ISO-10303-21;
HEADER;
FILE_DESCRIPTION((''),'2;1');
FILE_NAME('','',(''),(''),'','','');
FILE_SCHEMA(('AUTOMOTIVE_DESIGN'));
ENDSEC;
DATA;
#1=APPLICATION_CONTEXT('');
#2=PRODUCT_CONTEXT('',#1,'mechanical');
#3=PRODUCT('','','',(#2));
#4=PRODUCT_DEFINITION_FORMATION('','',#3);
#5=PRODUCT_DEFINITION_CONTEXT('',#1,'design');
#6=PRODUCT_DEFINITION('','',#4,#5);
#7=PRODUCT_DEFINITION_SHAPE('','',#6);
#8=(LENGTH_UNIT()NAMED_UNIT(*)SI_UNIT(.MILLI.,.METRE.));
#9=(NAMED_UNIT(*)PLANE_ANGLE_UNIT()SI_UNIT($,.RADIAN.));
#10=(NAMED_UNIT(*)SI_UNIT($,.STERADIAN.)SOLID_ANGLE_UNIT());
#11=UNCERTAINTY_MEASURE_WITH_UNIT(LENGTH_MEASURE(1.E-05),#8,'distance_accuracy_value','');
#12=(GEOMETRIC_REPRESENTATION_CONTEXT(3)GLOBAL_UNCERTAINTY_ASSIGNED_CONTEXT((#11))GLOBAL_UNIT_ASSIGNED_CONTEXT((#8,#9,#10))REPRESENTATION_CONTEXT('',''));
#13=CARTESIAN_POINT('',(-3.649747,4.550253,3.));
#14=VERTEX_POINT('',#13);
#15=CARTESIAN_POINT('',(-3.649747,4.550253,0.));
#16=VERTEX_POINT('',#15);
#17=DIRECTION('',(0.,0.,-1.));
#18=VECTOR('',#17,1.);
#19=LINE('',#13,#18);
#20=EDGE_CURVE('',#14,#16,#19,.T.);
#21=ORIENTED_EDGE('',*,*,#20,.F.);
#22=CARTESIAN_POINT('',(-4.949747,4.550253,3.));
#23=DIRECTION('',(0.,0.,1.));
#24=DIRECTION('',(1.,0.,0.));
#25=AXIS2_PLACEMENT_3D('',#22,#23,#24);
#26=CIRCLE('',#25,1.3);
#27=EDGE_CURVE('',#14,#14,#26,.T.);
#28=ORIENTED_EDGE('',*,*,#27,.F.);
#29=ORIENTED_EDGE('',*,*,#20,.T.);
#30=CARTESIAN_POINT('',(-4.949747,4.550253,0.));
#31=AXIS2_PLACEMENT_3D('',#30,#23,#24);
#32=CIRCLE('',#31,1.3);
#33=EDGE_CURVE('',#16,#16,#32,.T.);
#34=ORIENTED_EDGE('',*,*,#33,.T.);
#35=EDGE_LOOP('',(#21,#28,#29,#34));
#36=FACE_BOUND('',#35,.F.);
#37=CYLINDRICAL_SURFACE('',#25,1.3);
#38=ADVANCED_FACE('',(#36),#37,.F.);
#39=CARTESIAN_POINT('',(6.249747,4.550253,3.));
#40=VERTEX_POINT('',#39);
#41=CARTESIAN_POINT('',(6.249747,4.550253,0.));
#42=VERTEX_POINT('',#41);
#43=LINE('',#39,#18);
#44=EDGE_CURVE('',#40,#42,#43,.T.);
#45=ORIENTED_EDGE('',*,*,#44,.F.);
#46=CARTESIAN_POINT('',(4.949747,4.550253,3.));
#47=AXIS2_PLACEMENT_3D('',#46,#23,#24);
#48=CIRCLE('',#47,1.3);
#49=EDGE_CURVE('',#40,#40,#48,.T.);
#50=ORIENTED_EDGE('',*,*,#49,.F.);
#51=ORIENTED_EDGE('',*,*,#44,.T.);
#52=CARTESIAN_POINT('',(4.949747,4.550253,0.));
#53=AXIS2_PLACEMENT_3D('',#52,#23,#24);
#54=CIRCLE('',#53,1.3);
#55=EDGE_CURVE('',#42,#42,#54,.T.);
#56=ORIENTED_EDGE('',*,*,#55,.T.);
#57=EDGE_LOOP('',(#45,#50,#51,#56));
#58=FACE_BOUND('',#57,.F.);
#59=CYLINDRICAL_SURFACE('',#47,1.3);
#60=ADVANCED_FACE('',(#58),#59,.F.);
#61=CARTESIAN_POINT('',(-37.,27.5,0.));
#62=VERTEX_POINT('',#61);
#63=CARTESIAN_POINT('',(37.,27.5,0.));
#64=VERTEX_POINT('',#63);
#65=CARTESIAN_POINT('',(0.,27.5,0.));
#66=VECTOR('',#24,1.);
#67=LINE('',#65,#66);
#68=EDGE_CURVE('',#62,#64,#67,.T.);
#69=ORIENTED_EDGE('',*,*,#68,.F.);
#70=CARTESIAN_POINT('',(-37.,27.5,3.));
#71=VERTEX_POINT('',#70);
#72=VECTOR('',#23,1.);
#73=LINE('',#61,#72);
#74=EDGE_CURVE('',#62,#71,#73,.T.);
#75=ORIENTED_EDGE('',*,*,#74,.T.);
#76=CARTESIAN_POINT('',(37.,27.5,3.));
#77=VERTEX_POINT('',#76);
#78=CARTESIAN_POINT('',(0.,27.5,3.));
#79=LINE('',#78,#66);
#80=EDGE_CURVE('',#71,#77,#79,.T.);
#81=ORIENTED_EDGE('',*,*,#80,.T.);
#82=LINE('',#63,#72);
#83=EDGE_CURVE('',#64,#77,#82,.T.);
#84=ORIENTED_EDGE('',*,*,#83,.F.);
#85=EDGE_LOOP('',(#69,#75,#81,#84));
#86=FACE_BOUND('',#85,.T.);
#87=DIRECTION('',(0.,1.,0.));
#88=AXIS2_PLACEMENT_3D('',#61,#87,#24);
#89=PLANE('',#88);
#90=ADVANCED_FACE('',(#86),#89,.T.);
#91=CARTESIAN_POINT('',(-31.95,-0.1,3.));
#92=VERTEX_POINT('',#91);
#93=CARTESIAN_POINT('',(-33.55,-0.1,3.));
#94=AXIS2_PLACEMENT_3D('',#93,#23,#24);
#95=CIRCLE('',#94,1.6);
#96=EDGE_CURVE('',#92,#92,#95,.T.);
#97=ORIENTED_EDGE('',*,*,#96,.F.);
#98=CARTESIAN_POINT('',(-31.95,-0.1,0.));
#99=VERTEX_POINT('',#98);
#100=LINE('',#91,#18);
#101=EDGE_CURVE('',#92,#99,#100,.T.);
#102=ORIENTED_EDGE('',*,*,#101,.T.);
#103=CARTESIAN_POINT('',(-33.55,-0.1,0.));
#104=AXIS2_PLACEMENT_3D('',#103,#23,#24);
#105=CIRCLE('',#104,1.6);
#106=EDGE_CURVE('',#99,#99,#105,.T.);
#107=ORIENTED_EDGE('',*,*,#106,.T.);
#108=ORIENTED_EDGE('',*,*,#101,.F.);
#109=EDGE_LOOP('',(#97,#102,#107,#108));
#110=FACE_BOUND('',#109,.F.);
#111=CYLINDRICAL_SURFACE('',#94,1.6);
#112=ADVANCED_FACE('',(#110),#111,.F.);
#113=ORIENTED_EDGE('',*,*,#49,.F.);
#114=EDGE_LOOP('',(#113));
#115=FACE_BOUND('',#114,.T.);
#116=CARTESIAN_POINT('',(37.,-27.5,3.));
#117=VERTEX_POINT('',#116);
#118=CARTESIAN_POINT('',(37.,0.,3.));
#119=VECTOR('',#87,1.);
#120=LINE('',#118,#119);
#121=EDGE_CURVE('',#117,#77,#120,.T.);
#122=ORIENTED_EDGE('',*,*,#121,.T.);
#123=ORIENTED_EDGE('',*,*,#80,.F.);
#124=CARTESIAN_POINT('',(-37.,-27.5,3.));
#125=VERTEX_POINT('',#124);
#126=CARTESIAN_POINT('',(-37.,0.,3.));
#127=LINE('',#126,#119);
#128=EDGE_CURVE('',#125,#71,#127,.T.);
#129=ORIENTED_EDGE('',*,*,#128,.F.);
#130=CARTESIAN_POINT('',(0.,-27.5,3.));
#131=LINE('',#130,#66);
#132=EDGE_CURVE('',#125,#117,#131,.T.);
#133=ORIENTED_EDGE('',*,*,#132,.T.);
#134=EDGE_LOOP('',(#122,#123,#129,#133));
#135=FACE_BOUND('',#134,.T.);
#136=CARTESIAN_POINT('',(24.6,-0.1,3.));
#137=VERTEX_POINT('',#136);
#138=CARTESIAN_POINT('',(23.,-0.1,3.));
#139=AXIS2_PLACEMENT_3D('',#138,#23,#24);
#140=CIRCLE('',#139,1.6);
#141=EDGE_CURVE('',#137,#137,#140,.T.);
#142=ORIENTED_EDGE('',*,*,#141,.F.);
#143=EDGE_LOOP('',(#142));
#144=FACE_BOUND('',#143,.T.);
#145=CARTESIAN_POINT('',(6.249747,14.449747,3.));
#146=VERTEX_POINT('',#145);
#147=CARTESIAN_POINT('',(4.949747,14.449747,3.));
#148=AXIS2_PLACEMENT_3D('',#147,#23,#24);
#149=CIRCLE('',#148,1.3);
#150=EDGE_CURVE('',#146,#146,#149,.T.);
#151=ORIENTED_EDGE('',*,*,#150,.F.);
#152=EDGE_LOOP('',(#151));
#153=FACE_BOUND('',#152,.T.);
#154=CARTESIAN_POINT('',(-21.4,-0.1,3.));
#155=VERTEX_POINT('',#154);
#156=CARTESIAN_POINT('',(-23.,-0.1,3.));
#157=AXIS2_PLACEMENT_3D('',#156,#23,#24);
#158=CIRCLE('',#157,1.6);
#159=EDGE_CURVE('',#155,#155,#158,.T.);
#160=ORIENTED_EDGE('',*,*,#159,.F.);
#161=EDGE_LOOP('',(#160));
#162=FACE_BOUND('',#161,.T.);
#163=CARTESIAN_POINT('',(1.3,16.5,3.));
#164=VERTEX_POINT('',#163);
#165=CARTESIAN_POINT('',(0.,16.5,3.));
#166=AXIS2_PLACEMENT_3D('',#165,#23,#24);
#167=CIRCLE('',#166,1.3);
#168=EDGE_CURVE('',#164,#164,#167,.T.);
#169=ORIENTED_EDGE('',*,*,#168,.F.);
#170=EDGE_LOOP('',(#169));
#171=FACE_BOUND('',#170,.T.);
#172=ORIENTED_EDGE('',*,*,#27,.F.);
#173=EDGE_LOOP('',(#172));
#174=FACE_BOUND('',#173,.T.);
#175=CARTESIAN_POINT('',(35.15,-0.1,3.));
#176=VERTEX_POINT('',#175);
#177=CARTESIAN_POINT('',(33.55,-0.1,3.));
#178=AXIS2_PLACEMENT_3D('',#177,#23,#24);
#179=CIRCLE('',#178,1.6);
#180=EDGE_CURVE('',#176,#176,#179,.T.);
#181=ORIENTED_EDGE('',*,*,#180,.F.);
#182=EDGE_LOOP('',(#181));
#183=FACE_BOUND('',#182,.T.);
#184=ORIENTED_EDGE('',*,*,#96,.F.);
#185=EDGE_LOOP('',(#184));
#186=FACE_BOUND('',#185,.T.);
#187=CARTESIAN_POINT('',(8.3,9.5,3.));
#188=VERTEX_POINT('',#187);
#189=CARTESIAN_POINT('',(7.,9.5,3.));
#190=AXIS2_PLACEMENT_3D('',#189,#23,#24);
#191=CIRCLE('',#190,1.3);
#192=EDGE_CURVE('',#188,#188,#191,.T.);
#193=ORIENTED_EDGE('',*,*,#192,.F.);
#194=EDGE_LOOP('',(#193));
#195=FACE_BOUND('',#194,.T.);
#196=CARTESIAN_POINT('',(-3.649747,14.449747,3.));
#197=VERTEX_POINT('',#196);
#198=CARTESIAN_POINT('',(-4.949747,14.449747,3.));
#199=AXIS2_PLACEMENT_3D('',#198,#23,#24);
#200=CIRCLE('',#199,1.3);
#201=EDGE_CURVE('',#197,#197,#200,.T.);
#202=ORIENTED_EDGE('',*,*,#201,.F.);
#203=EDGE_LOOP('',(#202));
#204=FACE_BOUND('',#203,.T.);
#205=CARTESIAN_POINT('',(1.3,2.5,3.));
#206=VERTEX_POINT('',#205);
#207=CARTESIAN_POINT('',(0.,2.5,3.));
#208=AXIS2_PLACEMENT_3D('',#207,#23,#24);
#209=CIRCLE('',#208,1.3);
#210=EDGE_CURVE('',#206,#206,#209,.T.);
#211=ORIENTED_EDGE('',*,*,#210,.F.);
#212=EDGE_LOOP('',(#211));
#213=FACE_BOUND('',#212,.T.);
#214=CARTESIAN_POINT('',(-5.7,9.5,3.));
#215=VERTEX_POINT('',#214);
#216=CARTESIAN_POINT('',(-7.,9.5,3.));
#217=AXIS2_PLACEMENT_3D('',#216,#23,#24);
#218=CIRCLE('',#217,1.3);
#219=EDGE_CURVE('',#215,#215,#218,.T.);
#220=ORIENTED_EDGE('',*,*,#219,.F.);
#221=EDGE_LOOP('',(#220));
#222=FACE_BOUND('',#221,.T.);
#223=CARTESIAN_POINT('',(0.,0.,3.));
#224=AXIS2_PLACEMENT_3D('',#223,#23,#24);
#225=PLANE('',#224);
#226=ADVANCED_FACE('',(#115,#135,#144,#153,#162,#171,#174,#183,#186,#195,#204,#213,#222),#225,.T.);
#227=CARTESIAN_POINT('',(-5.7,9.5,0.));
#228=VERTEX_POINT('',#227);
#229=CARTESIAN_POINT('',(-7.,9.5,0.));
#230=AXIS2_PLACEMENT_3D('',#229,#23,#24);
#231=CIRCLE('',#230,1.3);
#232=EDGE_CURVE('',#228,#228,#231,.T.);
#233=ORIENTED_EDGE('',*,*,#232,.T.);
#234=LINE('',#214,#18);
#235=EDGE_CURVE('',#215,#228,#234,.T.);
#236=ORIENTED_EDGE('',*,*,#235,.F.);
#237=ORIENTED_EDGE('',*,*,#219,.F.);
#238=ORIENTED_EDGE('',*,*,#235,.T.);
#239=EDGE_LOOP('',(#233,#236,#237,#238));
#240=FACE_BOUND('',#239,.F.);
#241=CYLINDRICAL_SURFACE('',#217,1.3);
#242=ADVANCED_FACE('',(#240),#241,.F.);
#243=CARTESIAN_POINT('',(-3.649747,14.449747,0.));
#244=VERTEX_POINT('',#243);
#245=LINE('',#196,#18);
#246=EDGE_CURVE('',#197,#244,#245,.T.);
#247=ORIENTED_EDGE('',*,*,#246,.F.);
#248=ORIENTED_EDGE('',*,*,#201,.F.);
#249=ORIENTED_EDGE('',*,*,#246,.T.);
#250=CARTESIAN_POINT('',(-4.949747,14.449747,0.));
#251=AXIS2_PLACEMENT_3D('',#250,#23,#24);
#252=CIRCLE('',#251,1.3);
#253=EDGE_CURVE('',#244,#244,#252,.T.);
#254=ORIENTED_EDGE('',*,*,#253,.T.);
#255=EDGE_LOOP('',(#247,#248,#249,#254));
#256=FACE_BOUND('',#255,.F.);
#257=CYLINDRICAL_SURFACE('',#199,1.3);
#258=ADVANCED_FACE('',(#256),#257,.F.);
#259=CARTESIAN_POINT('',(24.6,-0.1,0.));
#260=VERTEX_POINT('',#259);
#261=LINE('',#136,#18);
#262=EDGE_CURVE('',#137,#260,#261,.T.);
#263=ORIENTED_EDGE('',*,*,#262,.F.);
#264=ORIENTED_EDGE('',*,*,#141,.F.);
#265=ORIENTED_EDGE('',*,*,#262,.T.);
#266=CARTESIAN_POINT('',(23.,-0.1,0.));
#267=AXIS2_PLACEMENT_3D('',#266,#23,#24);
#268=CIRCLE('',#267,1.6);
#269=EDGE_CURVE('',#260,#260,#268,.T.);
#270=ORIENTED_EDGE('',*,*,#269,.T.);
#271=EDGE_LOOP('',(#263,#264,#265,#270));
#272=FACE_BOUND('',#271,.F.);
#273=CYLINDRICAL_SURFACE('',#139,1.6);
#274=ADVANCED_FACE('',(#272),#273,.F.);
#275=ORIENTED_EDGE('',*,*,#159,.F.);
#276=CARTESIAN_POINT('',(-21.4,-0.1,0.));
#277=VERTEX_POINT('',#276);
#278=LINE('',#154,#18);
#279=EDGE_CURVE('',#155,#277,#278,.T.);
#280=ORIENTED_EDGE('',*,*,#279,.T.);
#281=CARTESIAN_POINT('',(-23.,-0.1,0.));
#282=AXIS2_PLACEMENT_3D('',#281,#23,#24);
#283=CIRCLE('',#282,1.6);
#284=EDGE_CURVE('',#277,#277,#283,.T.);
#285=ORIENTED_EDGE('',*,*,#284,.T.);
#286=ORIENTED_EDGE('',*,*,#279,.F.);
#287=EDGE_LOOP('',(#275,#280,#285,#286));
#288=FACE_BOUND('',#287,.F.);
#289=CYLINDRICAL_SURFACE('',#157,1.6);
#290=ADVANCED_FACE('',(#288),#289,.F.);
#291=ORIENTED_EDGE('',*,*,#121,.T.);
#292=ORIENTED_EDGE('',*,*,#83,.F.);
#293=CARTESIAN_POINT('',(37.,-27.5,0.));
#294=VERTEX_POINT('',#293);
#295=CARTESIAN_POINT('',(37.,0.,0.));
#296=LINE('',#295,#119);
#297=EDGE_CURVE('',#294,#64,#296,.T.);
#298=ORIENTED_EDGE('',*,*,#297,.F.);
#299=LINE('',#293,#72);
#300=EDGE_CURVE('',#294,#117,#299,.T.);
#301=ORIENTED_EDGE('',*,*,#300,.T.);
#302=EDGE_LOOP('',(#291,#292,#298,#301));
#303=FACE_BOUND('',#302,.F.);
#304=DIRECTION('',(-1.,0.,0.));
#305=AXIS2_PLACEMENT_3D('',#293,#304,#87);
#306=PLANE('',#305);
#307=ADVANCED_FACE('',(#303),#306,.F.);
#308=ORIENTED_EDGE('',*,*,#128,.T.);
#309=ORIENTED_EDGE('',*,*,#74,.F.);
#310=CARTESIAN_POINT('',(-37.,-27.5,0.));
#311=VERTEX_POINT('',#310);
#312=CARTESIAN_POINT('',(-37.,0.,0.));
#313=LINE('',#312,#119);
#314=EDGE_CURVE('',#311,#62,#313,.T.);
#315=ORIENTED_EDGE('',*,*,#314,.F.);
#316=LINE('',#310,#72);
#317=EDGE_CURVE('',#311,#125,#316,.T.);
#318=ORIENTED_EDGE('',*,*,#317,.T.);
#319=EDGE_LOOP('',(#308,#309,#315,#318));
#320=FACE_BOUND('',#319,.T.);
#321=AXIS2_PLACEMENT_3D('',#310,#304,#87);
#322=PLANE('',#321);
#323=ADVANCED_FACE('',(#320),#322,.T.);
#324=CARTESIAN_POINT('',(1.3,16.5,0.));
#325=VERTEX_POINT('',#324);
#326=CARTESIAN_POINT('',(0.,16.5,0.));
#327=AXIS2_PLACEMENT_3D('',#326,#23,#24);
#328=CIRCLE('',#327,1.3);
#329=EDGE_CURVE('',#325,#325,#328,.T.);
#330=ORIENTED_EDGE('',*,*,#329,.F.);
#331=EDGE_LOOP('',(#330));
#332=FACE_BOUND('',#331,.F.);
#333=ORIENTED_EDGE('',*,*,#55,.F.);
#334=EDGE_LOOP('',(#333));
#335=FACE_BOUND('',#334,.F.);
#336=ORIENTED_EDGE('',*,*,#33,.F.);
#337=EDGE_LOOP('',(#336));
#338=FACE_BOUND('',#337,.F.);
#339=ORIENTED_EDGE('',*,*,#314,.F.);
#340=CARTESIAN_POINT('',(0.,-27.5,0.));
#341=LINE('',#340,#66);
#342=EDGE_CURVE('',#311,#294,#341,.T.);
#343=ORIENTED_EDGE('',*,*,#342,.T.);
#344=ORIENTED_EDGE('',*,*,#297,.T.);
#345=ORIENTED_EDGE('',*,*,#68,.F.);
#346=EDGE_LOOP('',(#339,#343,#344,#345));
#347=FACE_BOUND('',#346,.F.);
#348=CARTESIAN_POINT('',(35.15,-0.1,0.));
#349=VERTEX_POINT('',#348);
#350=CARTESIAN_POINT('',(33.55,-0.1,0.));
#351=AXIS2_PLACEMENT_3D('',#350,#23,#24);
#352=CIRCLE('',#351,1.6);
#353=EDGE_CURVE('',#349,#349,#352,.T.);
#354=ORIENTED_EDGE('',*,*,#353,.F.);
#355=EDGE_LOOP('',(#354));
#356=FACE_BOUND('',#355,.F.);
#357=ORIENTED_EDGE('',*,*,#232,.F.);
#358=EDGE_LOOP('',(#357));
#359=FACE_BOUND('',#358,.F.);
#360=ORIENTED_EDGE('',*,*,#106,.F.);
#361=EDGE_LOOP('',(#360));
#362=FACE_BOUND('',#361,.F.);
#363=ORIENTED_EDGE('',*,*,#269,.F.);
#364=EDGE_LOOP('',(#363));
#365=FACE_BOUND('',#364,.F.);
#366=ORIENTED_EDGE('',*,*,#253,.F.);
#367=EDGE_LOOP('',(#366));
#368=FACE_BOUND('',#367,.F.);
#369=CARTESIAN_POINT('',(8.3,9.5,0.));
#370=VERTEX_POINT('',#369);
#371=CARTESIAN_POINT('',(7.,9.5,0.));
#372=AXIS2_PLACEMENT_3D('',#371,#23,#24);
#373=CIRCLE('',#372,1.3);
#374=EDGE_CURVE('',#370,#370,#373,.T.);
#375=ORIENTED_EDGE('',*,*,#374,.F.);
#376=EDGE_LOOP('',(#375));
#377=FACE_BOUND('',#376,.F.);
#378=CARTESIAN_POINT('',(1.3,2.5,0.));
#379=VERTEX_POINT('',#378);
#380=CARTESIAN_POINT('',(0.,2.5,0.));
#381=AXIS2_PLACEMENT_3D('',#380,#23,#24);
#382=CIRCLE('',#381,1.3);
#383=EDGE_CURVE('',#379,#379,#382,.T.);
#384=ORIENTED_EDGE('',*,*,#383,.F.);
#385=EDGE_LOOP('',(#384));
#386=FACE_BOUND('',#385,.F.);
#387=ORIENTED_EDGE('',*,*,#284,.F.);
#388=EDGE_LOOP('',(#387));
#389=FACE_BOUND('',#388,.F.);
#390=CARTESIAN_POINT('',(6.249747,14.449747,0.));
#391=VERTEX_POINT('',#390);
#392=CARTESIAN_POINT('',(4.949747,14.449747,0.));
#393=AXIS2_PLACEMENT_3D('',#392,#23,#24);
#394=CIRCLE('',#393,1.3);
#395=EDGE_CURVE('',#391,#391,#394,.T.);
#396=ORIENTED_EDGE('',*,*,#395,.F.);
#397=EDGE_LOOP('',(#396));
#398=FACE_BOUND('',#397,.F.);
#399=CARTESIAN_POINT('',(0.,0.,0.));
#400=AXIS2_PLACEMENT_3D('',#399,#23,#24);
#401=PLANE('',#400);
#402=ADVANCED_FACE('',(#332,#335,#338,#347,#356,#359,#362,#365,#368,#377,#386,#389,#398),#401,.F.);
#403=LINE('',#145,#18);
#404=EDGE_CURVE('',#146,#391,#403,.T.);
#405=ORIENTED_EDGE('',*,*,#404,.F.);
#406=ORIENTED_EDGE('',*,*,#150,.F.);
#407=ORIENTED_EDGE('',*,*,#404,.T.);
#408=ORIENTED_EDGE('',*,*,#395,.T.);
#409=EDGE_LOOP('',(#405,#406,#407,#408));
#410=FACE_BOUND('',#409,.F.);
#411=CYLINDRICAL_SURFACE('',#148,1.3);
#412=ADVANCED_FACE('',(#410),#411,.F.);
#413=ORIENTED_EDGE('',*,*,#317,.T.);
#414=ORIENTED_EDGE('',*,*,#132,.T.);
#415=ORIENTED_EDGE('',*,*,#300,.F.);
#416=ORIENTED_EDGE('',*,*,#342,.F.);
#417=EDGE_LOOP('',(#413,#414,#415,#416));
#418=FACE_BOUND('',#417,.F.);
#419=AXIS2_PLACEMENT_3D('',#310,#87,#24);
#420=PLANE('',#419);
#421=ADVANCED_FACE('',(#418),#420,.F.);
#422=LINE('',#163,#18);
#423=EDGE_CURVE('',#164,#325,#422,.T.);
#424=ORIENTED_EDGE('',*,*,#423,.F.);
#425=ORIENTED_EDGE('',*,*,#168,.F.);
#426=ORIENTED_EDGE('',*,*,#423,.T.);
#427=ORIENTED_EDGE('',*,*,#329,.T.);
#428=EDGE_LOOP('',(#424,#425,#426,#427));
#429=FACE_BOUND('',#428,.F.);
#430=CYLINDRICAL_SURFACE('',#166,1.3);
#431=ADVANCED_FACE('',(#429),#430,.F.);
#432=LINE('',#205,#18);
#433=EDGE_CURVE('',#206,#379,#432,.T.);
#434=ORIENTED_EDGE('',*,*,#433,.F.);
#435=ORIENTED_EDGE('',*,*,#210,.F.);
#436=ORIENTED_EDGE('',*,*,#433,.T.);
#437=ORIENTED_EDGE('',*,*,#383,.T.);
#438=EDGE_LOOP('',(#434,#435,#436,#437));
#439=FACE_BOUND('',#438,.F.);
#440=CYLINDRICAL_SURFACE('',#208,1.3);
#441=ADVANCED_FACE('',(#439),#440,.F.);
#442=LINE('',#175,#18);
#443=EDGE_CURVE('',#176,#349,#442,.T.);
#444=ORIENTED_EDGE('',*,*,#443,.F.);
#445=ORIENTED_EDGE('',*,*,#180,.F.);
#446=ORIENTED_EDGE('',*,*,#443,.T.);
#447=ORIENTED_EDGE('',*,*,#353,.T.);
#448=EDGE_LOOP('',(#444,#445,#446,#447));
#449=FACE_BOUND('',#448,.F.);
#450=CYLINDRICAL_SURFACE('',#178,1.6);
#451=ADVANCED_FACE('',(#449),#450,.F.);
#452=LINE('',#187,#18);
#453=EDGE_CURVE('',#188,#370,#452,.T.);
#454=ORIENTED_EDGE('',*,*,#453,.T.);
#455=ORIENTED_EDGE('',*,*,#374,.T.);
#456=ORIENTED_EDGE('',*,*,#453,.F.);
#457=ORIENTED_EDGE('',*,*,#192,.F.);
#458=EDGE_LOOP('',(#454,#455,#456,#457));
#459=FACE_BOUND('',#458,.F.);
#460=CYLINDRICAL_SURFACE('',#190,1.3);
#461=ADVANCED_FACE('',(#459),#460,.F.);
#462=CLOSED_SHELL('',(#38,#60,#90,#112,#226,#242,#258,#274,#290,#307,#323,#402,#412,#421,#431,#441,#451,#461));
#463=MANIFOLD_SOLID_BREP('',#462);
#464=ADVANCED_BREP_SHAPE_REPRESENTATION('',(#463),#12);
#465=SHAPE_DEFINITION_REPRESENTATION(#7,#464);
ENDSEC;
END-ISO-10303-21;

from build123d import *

# Parameters (mm, degrees)
SKETCH_1_W          = 74
SKETCH_1_H          = 55
EXTRUDE_1_DEPTH     = 3
SKETCH_2_R          = 1.6
CUT_EXTRUDE_1_DEPTH = 4
SKETCH_2_3_R        = 1.3
CUT_EXTRUDE_2_DEPTH = 4


with BuildPart() as part:
    # Sketch 1 → Extrude 1 (new body)
    with BuildSketch(Plane.XY):
        Rectangle(SKETCH_1_W, SKETCH_1_H)
    extrude(amount=EXTRUDE_1_DEPTH)

    # Sketch 2 → Cut-Extrude 1 (cut, through all)
    with BuildSketch(Plane.XY.offset(3)):
        with Locations((-33.55, -0.1)):
            Circle(SKETCH_2_R)
        with Locations((33.55, -0.1)):
            Circle(SKETCH_2_R)
        with Locations((-23, -0.1)):
            Circle(SKETCH_2_R)
        with Locations((23, -0.1)):
            Circle(SKETCH_2_R)
    extrude(amount=-CUT_EXTRUDE_1_DEPTH, mode=Mode.SUBTRACT)

    # Sketch 2_3 → Cut-Extrude 2 (cut, through all)
    with BuildSketch(Plane.XY.offset(3)):
        with Locations((0, 2.5)):
            Circle(SKETCH_2_3_R)
        with Locations((4.949747468, 4.550252532)):
            Circle(SKETCH_2_3_R)
        with Locations((7, 9.5)):
            Circle(SKETCH_2_3_R)
        with Locations((4.949747468, 14.449747468)):
            Circle(SKETCH_2_3_R)
        with Locations((-4.949747468, 14.449747468)):
            Circle(SKETCH_2_3_R)
        with Locations((-7, 9.5)):
            Circle(SKETCH_2_3_R)
        with Locations((-4.949747468, 4.550252532)):
            Circle(SKETCH_2_3_R)
        with Locations((0, 16.5)):
            Circle(SKETCH_2_3_R)
    extrude(amount=-CUT_EXTRUDE_2_DEPTH, mode=Mode.SUBTRACT)


solid = part.part
